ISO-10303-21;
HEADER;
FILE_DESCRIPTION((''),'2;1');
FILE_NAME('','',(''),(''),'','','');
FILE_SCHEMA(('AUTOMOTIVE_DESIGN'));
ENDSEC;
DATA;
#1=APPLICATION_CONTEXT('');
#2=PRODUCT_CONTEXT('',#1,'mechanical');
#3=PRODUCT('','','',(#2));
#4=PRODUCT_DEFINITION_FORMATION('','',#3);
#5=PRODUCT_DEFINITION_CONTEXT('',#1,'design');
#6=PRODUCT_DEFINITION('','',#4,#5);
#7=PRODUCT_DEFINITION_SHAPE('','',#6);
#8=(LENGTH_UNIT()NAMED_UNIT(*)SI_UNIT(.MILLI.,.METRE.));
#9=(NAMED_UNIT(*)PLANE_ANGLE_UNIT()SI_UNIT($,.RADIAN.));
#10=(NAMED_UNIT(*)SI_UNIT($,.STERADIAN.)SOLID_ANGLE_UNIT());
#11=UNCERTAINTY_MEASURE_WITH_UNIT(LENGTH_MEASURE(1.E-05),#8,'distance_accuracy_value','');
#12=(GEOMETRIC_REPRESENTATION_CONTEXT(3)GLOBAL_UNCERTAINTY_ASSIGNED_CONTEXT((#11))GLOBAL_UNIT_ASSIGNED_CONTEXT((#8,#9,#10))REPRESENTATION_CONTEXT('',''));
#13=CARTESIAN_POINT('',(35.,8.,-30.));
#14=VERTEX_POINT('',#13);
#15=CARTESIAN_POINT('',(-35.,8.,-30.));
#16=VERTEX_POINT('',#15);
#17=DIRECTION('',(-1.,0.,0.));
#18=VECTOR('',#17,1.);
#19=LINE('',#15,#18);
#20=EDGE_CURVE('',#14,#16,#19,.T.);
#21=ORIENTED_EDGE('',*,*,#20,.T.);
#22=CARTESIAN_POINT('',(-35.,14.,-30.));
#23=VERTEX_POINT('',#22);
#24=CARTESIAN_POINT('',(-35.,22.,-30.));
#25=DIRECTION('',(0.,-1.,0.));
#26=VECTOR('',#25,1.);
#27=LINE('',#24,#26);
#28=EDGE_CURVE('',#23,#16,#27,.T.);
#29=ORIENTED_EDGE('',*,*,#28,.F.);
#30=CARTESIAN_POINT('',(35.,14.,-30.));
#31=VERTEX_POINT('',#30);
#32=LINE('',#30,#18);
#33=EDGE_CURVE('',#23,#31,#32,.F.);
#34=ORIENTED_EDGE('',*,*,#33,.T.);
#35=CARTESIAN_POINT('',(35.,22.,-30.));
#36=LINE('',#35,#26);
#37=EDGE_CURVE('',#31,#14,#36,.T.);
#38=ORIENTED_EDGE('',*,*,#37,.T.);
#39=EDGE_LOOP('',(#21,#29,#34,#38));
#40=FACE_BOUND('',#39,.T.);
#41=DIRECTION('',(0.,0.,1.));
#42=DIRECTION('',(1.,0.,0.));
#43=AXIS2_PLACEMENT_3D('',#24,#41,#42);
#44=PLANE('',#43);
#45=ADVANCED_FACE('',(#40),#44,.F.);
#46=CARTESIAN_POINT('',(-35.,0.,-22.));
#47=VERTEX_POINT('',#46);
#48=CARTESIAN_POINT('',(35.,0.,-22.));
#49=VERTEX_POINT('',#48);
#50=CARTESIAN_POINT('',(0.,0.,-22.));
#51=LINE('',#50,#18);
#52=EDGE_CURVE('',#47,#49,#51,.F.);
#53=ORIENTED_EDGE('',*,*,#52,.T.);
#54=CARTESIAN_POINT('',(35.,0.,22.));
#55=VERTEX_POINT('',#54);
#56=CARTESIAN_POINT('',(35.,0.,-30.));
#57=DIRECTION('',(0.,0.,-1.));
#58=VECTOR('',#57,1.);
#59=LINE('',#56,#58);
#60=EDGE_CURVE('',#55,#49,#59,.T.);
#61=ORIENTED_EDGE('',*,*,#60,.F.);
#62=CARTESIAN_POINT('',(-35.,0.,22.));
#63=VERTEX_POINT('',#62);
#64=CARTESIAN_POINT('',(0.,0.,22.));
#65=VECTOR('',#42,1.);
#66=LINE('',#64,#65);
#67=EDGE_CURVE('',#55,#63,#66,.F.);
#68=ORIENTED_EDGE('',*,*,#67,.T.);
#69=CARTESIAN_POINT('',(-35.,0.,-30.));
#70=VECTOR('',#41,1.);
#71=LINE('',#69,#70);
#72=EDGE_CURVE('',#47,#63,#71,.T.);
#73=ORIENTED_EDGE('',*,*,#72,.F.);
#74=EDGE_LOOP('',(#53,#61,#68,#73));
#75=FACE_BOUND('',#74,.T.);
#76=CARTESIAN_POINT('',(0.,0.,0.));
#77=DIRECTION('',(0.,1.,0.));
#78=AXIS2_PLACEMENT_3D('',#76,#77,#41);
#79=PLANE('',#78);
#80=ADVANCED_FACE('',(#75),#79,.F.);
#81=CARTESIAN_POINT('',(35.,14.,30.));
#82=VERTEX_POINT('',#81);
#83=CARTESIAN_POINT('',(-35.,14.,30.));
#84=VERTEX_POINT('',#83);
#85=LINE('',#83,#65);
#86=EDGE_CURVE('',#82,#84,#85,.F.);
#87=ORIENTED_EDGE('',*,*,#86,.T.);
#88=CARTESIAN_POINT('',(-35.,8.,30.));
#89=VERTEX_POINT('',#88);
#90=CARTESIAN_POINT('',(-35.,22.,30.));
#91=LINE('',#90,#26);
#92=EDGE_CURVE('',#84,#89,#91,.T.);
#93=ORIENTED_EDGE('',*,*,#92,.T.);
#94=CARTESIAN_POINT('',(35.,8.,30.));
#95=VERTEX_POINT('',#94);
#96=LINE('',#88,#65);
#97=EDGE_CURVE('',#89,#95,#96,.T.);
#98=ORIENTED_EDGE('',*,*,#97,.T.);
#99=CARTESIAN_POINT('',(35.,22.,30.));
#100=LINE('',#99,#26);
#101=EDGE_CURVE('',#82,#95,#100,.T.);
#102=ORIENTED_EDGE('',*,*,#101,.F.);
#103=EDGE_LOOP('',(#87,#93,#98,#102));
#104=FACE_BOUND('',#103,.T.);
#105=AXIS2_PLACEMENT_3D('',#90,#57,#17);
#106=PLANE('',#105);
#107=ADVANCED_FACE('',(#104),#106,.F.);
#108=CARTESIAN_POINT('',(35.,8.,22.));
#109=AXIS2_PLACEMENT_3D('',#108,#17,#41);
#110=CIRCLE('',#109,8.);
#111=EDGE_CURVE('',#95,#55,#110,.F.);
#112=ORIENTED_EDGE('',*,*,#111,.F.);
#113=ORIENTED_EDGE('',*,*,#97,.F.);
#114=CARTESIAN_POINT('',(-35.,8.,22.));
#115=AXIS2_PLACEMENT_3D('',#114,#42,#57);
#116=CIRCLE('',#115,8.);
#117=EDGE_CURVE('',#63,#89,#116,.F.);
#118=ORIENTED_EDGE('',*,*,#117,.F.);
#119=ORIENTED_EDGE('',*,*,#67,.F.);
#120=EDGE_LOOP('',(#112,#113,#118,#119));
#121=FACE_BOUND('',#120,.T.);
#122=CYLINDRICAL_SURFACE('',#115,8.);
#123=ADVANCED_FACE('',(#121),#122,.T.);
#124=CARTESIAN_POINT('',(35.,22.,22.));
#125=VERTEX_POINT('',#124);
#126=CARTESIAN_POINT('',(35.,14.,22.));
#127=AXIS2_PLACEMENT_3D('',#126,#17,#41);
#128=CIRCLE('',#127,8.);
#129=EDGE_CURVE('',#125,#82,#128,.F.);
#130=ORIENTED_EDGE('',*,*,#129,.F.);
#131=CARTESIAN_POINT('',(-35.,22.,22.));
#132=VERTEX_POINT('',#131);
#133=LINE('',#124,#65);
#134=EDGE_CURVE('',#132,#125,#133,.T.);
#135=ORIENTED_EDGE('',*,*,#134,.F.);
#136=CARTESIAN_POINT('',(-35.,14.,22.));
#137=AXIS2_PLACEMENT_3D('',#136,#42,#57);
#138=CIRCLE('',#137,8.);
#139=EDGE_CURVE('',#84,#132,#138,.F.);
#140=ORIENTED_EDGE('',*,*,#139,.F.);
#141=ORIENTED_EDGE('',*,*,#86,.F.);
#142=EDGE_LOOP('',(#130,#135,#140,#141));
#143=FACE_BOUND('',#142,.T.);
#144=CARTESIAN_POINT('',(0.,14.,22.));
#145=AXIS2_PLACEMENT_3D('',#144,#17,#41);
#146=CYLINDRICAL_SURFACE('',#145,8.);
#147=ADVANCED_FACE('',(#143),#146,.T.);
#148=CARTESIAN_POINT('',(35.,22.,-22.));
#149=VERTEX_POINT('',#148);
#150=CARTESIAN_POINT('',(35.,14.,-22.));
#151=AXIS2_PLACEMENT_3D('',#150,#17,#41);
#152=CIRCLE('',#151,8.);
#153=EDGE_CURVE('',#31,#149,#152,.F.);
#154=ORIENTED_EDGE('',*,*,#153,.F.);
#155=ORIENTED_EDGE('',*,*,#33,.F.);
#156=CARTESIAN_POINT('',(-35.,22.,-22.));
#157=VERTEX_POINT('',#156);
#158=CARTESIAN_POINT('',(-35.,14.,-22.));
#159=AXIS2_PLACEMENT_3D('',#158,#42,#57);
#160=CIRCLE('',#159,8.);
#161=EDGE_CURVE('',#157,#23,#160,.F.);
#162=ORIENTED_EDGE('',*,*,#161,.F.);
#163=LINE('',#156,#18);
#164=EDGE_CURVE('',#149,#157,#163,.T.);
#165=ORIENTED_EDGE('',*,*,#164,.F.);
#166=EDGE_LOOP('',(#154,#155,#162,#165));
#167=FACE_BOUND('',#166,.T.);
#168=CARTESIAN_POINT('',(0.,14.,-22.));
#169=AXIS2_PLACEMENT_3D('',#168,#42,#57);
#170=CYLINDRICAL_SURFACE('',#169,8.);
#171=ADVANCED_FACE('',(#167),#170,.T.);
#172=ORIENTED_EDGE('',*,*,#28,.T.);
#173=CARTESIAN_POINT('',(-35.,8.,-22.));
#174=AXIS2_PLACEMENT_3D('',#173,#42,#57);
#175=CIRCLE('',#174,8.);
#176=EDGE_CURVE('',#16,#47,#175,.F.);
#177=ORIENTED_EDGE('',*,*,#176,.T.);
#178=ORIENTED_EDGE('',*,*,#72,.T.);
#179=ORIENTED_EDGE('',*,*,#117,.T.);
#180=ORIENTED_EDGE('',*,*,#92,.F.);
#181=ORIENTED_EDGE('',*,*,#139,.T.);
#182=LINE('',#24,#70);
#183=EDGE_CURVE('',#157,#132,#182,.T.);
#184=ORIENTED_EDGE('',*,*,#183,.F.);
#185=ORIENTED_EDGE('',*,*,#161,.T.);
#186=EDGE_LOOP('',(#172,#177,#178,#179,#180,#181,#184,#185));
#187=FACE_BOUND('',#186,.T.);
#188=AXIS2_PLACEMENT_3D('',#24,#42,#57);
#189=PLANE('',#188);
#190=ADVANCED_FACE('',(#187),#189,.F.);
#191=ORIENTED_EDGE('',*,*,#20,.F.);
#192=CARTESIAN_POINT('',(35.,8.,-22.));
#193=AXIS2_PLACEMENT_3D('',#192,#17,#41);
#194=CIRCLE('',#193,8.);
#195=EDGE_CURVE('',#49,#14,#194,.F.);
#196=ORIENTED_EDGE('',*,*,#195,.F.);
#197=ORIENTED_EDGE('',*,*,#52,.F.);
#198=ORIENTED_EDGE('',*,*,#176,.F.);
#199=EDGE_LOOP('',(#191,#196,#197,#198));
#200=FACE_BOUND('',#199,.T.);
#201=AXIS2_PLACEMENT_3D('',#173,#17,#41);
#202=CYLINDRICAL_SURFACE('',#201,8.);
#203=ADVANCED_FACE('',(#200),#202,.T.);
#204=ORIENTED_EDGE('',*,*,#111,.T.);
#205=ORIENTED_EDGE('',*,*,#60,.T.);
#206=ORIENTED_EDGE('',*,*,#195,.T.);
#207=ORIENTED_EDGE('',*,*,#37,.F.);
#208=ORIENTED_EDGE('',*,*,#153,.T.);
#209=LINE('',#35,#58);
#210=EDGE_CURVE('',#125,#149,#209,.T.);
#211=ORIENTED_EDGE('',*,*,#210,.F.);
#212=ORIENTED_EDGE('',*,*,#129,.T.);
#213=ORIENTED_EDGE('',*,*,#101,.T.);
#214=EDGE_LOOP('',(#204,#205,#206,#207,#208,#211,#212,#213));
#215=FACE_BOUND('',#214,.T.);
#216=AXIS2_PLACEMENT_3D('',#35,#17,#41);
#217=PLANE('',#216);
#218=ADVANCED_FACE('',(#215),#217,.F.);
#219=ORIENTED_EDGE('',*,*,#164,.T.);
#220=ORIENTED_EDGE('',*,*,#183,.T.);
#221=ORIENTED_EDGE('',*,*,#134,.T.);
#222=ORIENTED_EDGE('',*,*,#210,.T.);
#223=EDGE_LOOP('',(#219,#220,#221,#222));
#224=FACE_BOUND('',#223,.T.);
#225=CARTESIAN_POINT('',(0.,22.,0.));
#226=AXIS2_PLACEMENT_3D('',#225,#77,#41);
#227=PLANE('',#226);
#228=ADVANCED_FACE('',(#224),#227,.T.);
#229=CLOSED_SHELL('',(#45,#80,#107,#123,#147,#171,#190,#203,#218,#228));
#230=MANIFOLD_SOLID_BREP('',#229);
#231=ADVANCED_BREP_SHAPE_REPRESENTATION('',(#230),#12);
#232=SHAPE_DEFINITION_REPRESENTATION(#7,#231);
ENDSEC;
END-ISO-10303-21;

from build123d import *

# Parameters (mm, degrees)
SKETCH_1_W      = 70
SKETCH_1_H      = 60
EXTRUDE_1_DEPTH = 22
FILLET_1_R      = 8


with BuildPart() as part:
    # 草图1 → 凸台-拉伸1 (new body)
    with BuildSketch(Plane(origin=(0, 0, 0), x_dir=(1, 0, 0), z_dir=(0, 1, 0))):
        Rectangle(SKETCH_1_W, SKETCH_1_H)
    extrude(amount=EXTRUDE_1_DEPTH)

    # 圆角1
    fillet_1_edges = [part.edges().sort_by_distance(p)[0] for p in [
        (0, 22, 30),
        (0, 0, 30),
        (0, 0, -30),
        (0, 22, -30),
    ]]
    fillet(fillet_1_edges, radius=FILLET_1_R)


solid = part.part
